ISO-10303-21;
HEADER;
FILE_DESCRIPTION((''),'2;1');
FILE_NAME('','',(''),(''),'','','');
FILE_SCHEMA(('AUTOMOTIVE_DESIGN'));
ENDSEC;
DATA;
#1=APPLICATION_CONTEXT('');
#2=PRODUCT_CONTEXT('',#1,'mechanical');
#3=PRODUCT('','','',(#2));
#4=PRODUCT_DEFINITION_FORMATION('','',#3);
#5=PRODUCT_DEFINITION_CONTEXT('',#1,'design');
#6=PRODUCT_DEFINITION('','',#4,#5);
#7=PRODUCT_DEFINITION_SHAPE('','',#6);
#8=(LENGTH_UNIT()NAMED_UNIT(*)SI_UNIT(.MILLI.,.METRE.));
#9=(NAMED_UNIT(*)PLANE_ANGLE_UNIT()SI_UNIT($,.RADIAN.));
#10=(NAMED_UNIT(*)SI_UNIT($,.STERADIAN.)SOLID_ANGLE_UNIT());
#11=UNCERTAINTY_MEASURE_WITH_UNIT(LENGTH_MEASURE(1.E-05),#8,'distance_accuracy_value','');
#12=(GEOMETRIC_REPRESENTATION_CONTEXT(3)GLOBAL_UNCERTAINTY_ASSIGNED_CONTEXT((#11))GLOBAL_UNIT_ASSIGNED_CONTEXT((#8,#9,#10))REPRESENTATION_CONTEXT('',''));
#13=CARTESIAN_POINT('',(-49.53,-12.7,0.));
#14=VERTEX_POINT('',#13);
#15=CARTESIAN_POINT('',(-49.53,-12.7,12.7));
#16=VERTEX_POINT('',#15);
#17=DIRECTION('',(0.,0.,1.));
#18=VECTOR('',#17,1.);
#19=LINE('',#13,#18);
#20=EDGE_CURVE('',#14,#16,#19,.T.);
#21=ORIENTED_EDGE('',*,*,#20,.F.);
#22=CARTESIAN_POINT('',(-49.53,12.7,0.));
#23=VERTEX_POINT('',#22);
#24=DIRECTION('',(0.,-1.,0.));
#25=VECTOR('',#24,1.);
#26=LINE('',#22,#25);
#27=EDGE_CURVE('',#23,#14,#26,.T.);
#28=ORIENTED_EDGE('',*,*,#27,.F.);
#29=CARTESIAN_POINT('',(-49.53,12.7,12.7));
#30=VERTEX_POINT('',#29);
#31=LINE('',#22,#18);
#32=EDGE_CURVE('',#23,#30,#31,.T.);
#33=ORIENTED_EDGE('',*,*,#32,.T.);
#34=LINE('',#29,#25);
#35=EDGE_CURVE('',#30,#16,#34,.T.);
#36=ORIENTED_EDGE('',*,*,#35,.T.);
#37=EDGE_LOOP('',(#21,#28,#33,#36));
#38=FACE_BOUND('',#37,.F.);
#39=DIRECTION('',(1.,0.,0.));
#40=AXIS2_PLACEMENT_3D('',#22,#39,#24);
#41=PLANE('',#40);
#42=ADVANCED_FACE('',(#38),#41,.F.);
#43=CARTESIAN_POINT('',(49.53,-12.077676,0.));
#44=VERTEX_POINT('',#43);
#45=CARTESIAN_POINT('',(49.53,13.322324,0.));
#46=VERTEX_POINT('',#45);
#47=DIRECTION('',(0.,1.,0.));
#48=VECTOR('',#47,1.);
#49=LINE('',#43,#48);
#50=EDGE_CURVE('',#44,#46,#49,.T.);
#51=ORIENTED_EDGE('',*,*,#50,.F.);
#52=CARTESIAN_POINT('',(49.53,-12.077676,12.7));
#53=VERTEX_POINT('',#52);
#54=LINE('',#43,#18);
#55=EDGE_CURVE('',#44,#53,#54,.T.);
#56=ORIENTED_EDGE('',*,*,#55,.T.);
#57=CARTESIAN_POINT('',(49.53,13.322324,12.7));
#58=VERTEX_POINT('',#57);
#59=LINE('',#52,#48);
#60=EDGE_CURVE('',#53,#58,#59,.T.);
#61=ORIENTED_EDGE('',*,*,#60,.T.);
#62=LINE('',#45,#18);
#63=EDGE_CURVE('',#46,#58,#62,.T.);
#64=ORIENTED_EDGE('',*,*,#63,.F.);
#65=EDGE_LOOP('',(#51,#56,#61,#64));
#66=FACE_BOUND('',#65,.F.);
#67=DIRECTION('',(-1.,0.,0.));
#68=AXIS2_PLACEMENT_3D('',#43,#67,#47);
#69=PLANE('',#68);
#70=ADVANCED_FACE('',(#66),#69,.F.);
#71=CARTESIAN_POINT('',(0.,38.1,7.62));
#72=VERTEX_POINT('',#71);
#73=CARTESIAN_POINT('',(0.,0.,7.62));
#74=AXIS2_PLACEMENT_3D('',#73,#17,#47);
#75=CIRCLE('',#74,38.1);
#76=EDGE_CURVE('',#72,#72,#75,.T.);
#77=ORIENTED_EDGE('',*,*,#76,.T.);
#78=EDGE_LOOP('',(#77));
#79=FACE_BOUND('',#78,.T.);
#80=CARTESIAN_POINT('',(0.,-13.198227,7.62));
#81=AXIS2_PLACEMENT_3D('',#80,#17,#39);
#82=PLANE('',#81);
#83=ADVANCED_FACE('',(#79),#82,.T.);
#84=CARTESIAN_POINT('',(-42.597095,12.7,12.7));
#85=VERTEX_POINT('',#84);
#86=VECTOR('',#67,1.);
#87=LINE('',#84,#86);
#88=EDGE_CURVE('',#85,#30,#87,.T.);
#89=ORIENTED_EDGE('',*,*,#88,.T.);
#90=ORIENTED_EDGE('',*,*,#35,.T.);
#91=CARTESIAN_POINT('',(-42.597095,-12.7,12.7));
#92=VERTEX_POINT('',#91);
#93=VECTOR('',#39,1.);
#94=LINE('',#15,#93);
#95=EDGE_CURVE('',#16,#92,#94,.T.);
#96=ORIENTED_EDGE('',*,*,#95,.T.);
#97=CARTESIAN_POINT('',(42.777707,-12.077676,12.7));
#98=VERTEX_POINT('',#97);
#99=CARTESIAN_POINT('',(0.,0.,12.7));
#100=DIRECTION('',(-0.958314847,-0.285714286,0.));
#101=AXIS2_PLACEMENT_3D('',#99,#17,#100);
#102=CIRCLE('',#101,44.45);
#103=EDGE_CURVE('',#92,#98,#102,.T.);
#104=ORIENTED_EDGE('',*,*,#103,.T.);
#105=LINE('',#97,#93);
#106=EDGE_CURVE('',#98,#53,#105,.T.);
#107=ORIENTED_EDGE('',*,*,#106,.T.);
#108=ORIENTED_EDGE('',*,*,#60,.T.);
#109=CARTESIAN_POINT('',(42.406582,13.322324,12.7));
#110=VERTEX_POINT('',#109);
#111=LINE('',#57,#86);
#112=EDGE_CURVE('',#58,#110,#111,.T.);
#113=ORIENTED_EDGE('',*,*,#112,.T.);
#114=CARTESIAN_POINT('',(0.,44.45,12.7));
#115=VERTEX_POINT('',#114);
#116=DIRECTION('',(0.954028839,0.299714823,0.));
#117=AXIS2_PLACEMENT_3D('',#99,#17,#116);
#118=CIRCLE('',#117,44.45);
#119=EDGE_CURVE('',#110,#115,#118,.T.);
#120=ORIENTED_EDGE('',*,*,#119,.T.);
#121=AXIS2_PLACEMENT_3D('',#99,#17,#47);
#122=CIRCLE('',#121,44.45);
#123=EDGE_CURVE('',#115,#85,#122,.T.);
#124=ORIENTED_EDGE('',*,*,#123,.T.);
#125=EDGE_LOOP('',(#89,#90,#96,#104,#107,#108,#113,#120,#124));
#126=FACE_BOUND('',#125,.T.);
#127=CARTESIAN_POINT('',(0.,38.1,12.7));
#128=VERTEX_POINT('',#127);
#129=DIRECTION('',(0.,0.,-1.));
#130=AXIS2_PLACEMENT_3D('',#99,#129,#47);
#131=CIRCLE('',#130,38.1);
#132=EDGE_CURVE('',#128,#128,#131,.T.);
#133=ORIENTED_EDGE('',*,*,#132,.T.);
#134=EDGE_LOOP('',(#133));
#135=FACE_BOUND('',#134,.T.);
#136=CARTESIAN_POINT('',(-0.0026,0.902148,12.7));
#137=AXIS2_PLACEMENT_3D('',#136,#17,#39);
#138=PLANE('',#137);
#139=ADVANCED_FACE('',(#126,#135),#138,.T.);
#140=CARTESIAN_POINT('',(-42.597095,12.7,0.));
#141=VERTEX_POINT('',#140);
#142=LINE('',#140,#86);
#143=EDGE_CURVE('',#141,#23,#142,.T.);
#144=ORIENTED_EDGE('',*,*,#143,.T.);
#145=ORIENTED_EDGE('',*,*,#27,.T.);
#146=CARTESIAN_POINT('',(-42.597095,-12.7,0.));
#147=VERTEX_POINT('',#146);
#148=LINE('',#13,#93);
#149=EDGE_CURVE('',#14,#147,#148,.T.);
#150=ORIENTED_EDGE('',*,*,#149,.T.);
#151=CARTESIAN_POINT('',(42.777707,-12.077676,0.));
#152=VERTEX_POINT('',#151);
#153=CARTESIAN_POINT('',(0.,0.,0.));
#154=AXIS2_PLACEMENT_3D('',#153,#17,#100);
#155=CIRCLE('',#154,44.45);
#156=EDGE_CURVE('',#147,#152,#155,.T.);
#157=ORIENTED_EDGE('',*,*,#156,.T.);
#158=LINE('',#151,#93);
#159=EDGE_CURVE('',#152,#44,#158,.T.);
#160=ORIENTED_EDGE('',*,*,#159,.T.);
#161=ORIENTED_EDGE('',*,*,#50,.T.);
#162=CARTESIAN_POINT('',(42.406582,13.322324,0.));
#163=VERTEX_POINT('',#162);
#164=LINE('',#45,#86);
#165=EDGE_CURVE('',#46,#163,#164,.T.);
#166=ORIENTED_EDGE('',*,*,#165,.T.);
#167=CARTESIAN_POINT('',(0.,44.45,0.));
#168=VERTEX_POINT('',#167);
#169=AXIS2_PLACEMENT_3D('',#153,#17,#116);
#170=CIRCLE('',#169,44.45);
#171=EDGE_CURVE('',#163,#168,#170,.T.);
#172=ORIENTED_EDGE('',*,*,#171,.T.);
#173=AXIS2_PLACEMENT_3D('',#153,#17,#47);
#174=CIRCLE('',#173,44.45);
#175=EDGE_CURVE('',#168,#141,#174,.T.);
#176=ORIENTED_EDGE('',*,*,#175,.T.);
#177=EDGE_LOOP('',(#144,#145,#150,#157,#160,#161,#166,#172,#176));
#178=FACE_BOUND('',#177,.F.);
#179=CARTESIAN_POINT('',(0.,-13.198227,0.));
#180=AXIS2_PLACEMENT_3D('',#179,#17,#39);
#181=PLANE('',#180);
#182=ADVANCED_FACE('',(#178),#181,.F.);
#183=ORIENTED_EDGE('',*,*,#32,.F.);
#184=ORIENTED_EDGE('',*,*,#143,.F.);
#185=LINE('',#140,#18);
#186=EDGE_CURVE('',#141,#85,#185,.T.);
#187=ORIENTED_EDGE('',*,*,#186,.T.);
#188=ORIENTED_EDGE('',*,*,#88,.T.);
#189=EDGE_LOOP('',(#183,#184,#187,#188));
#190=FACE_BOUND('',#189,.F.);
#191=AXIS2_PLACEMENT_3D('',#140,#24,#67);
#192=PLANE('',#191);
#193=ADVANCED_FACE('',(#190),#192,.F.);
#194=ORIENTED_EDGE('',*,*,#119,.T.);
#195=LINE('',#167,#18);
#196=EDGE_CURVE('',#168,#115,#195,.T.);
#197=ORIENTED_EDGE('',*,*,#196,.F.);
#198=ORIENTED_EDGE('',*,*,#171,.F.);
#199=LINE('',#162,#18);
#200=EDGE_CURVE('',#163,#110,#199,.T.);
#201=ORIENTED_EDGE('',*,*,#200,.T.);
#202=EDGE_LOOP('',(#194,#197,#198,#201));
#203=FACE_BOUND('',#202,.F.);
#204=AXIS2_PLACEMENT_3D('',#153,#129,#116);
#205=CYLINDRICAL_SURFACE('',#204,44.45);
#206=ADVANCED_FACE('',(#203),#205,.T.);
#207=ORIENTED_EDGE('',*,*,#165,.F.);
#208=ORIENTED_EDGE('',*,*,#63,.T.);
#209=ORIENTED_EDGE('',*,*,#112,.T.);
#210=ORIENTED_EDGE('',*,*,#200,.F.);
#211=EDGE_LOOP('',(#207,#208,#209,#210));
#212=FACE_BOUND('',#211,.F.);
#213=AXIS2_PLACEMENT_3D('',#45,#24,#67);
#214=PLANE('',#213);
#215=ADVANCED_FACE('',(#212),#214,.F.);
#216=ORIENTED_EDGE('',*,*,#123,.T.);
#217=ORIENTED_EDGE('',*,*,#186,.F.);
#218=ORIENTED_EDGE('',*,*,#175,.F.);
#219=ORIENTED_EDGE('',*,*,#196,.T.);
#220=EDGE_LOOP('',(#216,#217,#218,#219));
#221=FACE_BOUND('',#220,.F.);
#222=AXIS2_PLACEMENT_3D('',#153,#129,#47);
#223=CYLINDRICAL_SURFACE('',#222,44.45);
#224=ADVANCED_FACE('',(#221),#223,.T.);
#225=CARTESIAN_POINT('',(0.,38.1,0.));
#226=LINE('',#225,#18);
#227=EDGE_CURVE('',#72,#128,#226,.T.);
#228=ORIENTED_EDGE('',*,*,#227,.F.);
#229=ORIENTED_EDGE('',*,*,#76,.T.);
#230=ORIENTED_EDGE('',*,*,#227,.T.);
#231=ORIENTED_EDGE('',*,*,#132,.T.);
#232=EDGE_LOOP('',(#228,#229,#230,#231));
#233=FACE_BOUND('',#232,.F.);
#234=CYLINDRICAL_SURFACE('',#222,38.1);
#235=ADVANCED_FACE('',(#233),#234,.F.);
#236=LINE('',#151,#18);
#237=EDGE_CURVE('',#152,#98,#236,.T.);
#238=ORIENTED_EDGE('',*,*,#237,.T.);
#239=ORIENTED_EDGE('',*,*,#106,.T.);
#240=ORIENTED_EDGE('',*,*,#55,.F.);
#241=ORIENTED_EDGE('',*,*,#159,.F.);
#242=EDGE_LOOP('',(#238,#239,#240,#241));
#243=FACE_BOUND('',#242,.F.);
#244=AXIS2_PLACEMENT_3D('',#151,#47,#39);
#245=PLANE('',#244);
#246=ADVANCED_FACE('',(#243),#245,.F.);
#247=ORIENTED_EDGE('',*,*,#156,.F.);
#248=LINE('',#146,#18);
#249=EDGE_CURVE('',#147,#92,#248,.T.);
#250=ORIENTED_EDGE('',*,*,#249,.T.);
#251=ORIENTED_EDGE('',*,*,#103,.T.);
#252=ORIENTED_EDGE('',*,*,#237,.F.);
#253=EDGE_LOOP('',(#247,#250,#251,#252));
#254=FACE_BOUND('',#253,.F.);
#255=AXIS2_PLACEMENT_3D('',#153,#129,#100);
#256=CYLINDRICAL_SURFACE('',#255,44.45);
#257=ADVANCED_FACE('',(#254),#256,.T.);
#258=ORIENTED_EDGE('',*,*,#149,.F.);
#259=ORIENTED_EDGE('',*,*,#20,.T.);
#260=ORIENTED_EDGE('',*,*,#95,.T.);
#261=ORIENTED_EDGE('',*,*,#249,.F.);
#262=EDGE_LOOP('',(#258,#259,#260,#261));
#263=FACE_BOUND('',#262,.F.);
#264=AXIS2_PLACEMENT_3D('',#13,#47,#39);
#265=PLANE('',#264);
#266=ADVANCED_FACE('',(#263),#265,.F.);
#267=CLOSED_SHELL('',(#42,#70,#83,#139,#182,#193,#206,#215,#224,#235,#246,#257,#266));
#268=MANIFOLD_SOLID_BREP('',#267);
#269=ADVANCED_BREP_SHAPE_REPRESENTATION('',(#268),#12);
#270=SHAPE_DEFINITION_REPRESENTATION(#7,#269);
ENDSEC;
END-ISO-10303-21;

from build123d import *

# Parameters (mm, degrees)
F1_DEPTH = 12.7
F2_DEPTH = 7.62


with BuildPart() as f1:
    # F0 (on Top) → F1 (new body)
    with BuildSketch(Plane.XY):
        with BuildLine():
            Line((-49.53, -12.7), (-42.5970949714, -12.7))
            ThreePointArc((-42.5970949714, -12.7), (0.3240014655, -44.4488191412), (42.7777072696, -12.0776761323))
            Line((42.7777072696, -12.0776761323), (49.53, -12.0776761323))
            Line((49.53, -12.0776761323), (49.53, 13.3223238677))
            Line((49.53, 13.3223238677), (42.4065818802, 13.3223238677))
            ThreePointArc((42.4065818802, 13.3223238677), (26.302330734, 35.8328047738), (0, 44.45))
            ThreePointArc((0, 44.45), (-26.5639558425, 35.639286609), (-42.5970949714, 12.7))
            Line((-42.5970949714, 12.7), (-49.53, 12.7))
            Line((-49.53, 12.7), (-49.53, -12.7))
        make_face()
        with BuildLine():
            ThreePointArc((-38.1, 0), (-26.9407683632, 26.9407683632), (0, 38.1))
            ThreePointArc((0, 38.1), (26.9407683632, 26.9407683632), (38.1, 0))
            ThreePointArc((38.1, 0), (0, -38.1), (-38.1, 0))
        make_face(mode=Mode.SUBTRACT)
    extrude(amount=F1_DEPTH)

    # F0 (on Top) → F2 (join)
    with BuildSketch(Plane.XY):
        with BuildLine():
            ThreePointArc((-38.1, 0), (0, -38.1), (38.1, 0))
            Line((38.1, 0), (0, 0))
            Line((0, 0), (-38.1, 0))
        make_face()
        with BuildLine():
            Line((0, 0), (0, 38.1))
            ThreePointArc((0, 38.1), (-26.9407683632, 26.9407683632), (-38.1, 0))
            Line((-38.1, 0), (0, 0))
        make_face()
        with BuildLine():
            ThreePointArc((38.1, 0), (26.9407683632, 26.9407683632), (0, 38.1))
            Line((0, 38.1), (0, 0))
            Line((0, 0), (38.1, 0))
        make_face()
    extrude(amount=F2_DEPTH)


solid = f1.part
